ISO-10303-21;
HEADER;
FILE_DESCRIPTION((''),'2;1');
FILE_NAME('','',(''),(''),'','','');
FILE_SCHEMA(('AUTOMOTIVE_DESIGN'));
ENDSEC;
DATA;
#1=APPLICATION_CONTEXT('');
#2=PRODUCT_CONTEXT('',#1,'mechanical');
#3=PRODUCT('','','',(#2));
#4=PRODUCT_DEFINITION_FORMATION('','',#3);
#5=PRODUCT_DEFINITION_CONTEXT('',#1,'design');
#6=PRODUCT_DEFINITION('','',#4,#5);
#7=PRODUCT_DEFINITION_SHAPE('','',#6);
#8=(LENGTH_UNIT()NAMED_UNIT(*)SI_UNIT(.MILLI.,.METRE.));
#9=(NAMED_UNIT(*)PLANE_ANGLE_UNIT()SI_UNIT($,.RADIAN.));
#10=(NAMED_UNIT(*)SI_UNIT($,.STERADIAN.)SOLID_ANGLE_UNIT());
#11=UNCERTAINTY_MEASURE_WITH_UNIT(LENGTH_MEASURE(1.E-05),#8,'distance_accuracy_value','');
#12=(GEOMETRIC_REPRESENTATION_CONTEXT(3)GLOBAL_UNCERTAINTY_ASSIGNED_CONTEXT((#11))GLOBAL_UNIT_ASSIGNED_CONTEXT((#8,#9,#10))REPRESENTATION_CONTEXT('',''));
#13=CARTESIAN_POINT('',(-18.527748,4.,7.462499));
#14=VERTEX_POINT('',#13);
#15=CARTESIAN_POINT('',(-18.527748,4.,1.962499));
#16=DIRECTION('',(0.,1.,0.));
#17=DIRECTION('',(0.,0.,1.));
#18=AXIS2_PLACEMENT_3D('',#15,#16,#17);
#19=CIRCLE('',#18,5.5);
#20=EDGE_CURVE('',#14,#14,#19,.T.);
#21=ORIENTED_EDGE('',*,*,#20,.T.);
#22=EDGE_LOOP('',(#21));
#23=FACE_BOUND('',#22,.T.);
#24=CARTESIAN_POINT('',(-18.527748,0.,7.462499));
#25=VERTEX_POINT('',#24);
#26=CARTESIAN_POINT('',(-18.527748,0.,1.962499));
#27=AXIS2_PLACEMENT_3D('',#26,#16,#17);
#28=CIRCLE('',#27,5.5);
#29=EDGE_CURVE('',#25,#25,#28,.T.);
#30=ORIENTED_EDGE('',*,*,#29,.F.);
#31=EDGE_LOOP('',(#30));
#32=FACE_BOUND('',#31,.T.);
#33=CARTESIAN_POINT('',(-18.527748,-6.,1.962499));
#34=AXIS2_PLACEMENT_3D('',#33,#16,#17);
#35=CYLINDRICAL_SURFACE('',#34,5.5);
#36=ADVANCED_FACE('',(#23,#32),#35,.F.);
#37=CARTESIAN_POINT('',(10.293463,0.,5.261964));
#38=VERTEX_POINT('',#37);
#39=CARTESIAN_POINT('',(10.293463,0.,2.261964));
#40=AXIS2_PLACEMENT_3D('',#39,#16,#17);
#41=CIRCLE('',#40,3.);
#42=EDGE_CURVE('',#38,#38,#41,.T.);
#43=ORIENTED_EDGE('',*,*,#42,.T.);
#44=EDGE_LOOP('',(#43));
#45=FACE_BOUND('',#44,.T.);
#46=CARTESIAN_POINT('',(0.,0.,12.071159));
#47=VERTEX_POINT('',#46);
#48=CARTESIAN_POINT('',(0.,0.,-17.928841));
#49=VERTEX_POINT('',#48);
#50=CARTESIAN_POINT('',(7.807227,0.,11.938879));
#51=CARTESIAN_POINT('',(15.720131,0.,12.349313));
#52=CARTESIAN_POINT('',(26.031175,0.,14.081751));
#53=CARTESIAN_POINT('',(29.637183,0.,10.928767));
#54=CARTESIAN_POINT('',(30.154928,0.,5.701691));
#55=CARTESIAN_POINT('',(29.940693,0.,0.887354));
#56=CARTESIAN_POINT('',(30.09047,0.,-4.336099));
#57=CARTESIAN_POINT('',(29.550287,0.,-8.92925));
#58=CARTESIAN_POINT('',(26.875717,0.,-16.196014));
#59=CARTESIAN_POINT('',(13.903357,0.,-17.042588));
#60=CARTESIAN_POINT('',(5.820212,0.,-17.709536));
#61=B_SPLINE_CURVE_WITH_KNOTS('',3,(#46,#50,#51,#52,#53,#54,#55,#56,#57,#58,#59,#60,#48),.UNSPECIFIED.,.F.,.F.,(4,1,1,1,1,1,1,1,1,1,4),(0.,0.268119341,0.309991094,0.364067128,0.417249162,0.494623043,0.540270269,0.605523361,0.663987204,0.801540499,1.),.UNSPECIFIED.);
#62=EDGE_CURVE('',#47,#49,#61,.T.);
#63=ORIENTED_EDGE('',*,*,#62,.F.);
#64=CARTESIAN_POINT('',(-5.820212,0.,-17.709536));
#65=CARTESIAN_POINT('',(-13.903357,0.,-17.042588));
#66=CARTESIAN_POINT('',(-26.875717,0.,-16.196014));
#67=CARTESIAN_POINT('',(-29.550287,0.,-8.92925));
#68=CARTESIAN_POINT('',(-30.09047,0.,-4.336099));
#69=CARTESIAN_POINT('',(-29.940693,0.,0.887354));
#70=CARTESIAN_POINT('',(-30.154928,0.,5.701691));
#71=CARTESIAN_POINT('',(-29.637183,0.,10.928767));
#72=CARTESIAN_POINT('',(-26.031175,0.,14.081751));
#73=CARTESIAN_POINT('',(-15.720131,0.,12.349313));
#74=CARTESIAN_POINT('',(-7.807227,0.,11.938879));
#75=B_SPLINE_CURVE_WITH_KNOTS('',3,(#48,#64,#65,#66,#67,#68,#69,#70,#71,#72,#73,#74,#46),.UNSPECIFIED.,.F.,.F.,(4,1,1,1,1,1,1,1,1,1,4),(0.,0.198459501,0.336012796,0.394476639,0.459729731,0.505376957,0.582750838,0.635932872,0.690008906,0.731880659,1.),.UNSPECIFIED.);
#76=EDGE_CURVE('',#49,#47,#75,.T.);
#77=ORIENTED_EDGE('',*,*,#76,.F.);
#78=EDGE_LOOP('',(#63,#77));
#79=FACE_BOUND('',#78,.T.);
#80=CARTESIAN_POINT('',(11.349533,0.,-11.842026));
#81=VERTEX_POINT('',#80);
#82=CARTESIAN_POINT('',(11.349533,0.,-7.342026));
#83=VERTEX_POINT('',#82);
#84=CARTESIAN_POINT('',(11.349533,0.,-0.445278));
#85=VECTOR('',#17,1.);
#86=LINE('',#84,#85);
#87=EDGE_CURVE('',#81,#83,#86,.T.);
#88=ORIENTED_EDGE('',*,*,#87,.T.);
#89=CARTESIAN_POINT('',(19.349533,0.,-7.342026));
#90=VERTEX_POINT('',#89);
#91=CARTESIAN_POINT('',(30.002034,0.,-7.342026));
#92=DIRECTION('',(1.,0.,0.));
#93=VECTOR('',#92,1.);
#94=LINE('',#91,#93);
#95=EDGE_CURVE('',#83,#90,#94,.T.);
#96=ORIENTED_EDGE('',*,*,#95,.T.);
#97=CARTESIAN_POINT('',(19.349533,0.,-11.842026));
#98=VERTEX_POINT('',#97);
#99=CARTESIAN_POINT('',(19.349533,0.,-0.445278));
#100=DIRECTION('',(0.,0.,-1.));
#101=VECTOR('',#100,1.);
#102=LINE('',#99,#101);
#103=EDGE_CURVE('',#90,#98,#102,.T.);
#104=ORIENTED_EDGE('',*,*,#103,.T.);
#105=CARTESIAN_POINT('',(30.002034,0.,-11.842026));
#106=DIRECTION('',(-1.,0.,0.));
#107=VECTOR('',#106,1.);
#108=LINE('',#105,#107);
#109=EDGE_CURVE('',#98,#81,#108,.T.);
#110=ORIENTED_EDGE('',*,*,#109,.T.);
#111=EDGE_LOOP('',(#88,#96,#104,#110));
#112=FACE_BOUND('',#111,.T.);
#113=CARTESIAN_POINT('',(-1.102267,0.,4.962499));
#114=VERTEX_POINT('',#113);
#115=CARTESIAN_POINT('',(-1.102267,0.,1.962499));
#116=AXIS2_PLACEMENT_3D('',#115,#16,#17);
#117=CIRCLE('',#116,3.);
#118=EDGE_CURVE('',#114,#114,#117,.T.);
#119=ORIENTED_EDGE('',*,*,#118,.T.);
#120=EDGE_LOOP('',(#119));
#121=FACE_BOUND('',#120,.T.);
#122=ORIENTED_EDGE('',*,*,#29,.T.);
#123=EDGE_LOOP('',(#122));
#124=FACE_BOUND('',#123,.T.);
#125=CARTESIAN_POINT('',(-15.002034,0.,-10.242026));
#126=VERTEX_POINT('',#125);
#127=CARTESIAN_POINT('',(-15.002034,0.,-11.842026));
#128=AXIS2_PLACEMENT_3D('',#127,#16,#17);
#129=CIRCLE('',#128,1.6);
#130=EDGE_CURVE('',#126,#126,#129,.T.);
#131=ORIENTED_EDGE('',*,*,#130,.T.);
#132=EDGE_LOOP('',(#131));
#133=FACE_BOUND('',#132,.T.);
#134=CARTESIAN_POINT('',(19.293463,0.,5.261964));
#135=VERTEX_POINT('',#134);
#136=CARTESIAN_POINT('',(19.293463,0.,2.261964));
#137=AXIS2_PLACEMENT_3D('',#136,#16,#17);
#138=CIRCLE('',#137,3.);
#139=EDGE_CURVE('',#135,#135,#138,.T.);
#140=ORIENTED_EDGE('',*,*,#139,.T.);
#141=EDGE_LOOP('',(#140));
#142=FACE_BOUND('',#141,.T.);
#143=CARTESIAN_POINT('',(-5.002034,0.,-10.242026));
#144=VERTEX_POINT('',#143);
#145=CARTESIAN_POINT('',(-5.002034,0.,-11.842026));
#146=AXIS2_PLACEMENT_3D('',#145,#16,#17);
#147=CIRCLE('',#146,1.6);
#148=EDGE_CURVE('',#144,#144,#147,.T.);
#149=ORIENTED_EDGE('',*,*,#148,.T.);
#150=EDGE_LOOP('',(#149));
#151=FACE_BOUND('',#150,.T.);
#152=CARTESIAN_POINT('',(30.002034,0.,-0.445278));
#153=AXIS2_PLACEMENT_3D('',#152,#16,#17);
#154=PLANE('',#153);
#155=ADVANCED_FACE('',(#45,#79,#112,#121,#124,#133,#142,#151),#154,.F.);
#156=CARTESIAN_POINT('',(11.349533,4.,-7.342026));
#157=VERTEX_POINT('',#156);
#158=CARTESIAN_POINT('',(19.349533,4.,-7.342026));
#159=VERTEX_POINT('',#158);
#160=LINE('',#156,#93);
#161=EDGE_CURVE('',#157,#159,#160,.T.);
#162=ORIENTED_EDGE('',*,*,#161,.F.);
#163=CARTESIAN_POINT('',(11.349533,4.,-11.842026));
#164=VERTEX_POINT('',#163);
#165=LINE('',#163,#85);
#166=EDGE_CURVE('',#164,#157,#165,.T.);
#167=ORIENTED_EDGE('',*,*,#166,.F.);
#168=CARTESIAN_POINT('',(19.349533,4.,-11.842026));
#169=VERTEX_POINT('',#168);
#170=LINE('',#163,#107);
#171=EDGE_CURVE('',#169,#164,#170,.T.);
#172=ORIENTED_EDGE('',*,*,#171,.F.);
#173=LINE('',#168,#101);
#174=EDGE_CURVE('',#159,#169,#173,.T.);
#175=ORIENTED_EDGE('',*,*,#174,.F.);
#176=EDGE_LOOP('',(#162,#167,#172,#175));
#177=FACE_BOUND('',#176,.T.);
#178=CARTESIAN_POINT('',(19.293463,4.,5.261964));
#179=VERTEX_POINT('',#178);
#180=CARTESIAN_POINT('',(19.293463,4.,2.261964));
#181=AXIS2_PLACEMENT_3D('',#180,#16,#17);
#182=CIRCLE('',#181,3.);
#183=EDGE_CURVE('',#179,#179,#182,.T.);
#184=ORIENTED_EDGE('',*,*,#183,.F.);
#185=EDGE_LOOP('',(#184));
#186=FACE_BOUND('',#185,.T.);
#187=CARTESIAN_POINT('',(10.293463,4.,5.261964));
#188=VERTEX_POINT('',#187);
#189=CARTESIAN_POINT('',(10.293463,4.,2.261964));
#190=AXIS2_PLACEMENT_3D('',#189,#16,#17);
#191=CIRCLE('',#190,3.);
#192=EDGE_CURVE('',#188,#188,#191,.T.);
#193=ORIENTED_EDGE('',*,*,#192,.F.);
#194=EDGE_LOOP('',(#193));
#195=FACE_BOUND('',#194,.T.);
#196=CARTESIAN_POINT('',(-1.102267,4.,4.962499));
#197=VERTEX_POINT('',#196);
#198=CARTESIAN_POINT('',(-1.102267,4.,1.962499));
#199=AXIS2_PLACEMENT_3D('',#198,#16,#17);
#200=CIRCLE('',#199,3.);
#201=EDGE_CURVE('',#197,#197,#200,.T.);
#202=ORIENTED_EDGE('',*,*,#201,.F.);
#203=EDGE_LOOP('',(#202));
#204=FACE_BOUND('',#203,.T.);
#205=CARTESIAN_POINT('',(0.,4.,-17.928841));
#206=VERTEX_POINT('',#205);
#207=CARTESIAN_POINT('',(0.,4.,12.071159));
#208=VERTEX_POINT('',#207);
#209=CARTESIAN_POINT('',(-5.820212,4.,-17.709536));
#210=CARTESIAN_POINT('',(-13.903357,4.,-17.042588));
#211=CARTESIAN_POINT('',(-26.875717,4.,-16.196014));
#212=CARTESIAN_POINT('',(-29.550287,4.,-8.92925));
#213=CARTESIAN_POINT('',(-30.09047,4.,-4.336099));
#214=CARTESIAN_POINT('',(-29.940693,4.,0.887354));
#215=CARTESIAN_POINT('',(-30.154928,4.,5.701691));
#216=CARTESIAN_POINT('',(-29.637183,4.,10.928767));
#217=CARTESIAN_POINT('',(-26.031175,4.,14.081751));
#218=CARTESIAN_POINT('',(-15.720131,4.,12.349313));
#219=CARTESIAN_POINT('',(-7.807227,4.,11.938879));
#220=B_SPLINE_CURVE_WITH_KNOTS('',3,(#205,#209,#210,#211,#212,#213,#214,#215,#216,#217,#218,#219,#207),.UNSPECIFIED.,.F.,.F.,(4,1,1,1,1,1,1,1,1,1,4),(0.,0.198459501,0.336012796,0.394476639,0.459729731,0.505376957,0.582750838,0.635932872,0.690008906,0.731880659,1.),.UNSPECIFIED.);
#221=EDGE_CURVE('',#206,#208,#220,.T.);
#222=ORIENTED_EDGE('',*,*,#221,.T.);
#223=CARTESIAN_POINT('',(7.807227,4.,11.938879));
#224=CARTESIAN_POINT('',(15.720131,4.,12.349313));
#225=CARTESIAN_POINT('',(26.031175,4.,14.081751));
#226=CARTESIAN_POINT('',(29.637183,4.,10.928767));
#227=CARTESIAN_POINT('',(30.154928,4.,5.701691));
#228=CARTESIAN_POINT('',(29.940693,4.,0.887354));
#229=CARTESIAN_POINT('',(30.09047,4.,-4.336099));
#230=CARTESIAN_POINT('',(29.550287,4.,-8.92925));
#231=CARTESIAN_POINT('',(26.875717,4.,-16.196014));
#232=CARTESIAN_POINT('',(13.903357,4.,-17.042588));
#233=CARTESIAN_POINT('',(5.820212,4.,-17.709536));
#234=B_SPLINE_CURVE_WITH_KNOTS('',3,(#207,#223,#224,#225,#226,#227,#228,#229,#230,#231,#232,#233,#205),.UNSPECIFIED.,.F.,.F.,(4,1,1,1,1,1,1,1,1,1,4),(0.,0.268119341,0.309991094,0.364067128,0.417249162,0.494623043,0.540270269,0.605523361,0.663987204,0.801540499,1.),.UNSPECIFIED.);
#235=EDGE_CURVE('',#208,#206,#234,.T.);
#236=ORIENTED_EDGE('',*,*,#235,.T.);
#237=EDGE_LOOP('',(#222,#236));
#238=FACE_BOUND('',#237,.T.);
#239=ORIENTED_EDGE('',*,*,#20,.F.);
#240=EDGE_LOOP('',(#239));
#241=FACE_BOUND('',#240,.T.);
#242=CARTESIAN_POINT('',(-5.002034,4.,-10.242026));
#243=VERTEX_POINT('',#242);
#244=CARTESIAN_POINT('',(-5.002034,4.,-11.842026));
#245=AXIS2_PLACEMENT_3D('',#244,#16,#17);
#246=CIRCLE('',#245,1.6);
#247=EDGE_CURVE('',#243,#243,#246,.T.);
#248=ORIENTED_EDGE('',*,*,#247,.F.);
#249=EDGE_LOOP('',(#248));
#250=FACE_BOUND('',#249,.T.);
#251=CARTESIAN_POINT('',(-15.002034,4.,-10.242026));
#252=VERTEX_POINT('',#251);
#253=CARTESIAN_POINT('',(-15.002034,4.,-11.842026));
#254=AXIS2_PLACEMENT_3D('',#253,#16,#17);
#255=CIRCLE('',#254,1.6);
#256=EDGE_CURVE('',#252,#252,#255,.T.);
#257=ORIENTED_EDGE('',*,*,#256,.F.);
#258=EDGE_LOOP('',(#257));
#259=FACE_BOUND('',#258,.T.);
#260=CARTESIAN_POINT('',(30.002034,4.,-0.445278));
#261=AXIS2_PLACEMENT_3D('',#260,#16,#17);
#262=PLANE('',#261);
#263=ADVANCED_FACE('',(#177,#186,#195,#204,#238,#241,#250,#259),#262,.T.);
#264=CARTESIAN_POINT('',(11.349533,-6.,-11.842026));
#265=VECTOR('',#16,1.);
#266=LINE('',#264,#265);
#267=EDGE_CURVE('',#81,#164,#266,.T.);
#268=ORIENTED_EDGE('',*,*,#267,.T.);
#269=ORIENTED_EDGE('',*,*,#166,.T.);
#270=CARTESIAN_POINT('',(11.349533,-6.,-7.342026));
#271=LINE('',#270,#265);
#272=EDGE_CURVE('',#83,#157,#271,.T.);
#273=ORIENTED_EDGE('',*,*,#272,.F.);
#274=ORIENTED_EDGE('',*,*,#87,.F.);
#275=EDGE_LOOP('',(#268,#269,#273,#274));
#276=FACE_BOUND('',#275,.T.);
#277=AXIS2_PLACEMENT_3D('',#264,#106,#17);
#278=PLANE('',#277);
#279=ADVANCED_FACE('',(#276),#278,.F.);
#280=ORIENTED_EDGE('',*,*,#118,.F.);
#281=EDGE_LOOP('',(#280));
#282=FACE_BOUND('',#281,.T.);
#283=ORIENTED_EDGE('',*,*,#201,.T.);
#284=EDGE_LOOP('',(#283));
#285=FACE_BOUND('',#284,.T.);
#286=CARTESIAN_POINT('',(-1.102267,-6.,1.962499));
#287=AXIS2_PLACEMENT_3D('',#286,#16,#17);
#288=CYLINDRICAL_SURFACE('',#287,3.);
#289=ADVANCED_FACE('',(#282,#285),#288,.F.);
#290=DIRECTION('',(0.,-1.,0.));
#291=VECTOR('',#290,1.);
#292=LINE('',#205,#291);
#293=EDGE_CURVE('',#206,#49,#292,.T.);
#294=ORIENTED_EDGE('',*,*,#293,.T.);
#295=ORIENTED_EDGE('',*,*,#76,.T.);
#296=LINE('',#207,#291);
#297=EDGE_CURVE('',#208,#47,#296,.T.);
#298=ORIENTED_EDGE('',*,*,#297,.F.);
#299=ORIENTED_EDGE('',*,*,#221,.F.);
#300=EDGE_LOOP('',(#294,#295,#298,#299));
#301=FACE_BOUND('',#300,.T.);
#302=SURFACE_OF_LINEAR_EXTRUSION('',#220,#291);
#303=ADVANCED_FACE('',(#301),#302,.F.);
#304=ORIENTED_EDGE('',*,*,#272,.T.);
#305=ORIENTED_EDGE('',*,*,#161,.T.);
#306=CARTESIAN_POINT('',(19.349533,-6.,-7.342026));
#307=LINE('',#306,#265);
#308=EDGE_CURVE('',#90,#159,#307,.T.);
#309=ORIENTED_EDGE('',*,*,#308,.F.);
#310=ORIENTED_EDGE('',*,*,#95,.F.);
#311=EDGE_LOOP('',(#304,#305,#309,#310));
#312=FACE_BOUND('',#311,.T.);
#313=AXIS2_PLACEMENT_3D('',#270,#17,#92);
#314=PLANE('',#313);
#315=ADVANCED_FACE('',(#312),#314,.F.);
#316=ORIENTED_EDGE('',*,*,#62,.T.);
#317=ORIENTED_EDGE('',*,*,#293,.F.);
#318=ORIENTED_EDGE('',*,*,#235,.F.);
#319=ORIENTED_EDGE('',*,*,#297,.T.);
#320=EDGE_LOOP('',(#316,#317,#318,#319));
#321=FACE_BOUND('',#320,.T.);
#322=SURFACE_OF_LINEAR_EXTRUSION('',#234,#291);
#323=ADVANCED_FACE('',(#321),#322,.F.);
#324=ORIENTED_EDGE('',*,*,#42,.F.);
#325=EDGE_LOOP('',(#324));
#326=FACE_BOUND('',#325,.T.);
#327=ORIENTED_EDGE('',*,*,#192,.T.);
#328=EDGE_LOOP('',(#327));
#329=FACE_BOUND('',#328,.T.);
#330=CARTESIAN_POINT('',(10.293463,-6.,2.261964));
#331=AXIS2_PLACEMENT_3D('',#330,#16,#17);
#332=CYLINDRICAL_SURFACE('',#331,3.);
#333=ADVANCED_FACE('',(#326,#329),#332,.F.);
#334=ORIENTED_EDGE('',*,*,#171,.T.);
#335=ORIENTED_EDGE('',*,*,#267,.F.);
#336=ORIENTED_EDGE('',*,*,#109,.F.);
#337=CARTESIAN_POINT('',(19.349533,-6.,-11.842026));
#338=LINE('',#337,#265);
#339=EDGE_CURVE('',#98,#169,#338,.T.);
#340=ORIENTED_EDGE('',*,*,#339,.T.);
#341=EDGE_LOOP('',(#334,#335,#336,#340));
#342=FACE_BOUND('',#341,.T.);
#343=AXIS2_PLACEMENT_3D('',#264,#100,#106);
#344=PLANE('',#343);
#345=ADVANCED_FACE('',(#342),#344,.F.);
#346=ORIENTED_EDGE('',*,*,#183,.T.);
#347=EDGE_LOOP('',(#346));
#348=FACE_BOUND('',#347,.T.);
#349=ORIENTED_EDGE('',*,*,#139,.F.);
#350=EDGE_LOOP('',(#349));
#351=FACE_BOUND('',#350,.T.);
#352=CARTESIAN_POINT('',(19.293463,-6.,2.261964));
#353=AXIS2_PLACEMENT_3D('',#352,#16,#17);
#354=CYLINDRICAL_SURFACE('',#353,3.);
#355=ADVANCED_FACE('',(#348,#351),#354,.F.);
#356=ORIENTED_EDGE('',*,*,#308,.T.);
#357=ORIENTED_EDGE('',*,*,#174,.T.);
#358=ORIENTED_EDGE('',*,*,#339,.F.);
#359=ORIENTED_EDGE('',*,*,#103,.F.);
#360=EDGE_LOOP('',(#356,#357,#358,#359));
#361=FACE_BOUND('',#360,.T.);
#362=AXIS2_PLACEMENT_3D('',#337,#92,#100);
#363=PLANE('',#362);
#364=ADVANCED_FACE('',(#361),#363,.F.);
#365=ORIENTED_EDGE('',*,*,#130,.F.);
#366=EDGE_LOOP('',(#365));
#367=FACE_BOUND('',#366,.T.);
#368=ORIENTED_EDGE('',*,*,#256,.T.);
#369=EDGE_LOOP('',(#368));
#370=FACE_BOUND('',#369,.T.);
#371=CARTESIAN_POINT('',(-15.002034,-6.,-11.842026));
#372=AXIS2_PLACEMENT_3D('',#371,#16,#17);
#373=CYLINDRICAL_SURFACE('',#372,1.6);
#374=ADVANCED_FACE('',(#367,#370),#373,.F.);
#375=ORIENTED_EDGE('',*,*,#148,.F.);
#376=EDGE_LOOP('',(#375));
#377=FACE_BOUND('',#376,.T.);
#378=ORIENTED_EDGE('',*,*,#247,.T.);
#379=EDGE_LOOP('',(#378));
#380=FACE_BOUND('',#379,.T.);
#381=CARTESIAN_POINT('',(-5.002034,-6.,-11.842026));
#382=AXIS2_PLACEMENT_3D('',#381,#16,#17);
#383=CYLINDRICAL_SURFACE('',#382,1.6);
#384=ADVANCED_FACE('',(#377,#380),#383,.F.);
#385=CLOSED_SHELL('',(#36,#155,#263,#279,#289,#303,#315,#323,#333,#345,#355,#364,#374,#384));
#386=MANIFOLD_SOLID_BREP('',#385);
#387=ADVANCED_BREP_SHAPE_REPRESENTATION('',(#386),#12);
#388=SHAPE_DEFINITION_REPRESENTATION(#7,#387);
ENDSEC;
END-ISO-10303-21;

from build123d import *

# Parameters (mm, degrees)
Y_KSEKLIK_EKSTR_ZYON1_DEPTH = 4
IZIM2_R                     = 5.5
IZIM2_R_2                   = 3
IZIM2_R_3                   = 1.6
IZIM2_W                     = 8
IZIM2_H                     = 4.5
KES_EKSTR_ZYON1_DEPTH       = 10


with BuildPart() as part:
    # Çizim1 → Yükseklik-Ekstrüzyon1 (new body)
    with BuildSketch(Plane(origin=(0, 0, 0), x_dir=(1, 0, 0), z_dir=(0, 1, 0))):
        with BuildLine():
            add(Edge.make_bspline(
                [(0, 17.928841308), (-5.820212095, 17.709536244), (-13.903357487, 17.042587637), (-26.87571665, 16.196014495), (-29.550286899, 8.929250371), (-30.090469717, 4.336098712), (-29.940693307, -0.887353996), (-30.154927851, -5.701691423), (-29.637182829, -10.928766593), (-26.031174583, -14.081750554), (-15.720131404, -12.349312728), (-7.807226576, -11.938879102), (0, -12.071158692)],
                knots=[0, 0, 0, 0, 0.198459501, 0.336012796, 0.394476639, 0.459729731, 0.505376957, 0.582750838, 0.635932872, 0.690008906, 0.731880659, 1, 1, 1, 1], degree=3))
            add(Edge.make_bspline(
                [(0, 17.928841308), (5.820212095, 17.709536244), (13.903357487, 17.042587637), (26.87571665, 16.196014495), (29.550286899, 8.929250371), (30.090469717, 4.336098712), (29.940693307, -0.887353996), (30.154927851, -5.701691423), (29.637182829, -10.928766593), (26.031174583, -14.081750554), (15.720131404, -12.349312728), (7.807226576, -11.938879102), (0, -12.071158692)],
                knots=[0, 0, 0, 0, 0.198459501, 0.336012796, 0.394476639, 0.459729731, 0.505376957, 0.582750838, 0.635932872, 0.690008906, 0.731880659, 1, 1, 1, 1], degree=3))
        make_face()
    extrude(amount=Y_KSEKLIK_EKSTR_ZYON1_DEPTH)

    # Çizim2 → Kes-Ekstrüzyon1 (cut)
    with BuildSketch(Plane(origin=(0, 4, 0), x_dir=(1, 0, 0), z_dir=(0, 1, 0))):
        with Locations((-18.527748167, -1.962499381)):
            Circle(IZIM2_R)
        with Locations((-1.102266972, -1.962499381)):
            Circle(IZIM2_R_2)
        with Locations((10.293462547, -2.261963976)):
            Circle(IZIM2_R_2)
        with Locations((19.293462547, -2.261963976)):
            Circle(IZIM2_R_2)
        with Locations((-15.002033729, 11.84202604)):
            Circle(IZIM2_R_3)
        with Locations((-5.002033729, 11.84202604)):
            Circle(IZIM2_R_3)
        with Locations((15.3495328, 9.59202604)):
            Rectangle(IZIM2_W, IZIM2_H)
    extrude(amount=-KES_EKSTR_ZYON1_DEPTH, mode=Mode.SUBTRACT)


solid = part.part
